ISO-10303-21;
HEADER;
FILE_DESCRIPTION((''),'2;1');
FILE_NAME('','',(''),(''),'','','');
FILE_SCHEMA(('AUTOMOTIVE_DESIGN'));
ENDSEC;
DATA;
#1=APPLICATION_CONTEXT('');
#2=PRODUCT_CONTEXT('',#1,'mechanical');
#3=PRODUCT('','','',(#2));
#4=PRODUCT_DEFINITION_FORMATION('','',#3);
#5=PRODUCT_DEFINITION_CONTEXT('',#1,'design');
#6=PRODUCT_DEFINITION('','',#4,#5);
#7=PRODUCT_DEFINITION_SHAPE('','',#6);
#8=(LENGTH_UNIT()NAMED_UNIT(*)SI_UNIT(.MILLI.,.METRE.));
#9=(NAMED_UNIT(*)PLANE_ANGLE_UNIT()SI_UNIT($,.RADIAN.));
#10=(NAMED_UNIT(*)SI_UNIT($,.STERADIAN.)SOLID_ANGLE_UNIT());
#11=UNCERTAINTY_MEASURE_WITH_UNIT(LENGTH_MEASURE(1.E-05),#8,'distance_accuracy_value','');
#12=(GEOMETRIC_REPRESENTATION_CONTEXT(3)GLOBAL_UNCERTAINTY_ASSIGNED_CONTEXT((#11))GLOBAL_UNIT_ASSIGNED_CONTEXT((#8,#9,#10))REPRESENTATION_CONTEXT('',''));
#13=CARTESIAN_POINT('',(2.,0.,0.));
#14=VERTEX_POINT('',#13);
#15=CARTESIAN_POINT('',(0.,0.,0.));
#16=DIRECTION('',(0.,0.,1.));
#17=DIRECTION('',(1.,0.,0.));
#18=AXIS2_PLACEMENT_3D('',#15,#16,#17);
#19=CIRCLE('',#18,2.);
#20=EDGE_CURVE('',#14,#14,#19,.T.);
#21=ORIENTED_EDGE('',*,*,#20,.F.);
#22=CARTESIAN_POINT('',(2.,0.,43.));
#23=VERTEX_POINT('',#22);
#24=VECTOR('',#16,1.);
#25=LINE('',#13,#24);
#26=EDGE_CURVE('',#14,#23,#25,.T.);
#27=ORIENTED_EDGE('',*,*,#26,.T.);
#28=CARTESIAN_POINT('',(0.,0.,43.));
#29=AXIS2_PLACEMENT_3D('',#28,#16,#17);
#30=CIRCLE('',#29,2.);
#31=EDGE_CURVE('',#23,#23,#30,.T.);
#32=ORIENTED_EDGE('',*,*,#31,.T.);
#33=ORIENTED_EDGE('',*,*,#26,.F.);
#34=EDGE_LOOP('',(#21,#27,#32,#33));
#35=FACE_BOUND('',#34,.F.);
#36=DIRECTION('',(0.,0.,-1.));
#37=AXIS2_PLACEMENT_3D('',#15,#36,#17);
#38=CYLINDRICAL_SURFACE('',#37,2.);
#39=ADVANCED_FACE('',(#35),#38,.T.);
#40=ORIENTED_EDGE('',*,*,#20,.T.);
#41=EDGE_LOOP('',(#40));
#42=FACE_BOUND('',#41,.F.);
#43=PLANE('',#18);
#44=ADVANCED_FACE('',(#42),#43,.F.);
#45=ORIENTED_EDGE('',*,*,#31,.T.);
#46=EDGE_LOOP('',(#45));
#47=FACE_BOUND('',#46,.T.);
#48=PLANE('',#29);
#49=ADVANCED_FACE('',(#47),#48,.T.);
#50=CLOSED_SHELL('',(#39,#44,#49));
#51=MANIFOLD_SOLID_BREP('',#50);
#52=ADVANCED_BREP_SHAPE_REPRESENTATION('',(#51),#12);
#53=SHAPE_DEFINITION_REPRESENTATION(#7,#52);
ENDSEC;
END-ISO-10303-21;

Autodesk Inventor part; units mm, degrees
ref_plane "YZ Plane" through (0, 0, 0) normal (1, 0, 0) x (0, 1, 0)
ref_plane "XZ Plane" through (0, 0, 0) normal (0, 1, 0) x (-1, 0, 0)
ref_plane "XY Plane" through (0, 0, 0) normal (0, 0, 1) x (1, 0, 0)
sketch "Sketch1" plane through (0, 0, 0) normal (0, 0, 1) x (1, 0, 0)
  circle A0 centre (0, 0) radius 2
  dimension "d0" = 4
extrude "Extrusion1" add sketch "Sketch1" along normal blind 43
properties part number "Long Joint Pin Spider Crab" material "Steel, Galvanized"
